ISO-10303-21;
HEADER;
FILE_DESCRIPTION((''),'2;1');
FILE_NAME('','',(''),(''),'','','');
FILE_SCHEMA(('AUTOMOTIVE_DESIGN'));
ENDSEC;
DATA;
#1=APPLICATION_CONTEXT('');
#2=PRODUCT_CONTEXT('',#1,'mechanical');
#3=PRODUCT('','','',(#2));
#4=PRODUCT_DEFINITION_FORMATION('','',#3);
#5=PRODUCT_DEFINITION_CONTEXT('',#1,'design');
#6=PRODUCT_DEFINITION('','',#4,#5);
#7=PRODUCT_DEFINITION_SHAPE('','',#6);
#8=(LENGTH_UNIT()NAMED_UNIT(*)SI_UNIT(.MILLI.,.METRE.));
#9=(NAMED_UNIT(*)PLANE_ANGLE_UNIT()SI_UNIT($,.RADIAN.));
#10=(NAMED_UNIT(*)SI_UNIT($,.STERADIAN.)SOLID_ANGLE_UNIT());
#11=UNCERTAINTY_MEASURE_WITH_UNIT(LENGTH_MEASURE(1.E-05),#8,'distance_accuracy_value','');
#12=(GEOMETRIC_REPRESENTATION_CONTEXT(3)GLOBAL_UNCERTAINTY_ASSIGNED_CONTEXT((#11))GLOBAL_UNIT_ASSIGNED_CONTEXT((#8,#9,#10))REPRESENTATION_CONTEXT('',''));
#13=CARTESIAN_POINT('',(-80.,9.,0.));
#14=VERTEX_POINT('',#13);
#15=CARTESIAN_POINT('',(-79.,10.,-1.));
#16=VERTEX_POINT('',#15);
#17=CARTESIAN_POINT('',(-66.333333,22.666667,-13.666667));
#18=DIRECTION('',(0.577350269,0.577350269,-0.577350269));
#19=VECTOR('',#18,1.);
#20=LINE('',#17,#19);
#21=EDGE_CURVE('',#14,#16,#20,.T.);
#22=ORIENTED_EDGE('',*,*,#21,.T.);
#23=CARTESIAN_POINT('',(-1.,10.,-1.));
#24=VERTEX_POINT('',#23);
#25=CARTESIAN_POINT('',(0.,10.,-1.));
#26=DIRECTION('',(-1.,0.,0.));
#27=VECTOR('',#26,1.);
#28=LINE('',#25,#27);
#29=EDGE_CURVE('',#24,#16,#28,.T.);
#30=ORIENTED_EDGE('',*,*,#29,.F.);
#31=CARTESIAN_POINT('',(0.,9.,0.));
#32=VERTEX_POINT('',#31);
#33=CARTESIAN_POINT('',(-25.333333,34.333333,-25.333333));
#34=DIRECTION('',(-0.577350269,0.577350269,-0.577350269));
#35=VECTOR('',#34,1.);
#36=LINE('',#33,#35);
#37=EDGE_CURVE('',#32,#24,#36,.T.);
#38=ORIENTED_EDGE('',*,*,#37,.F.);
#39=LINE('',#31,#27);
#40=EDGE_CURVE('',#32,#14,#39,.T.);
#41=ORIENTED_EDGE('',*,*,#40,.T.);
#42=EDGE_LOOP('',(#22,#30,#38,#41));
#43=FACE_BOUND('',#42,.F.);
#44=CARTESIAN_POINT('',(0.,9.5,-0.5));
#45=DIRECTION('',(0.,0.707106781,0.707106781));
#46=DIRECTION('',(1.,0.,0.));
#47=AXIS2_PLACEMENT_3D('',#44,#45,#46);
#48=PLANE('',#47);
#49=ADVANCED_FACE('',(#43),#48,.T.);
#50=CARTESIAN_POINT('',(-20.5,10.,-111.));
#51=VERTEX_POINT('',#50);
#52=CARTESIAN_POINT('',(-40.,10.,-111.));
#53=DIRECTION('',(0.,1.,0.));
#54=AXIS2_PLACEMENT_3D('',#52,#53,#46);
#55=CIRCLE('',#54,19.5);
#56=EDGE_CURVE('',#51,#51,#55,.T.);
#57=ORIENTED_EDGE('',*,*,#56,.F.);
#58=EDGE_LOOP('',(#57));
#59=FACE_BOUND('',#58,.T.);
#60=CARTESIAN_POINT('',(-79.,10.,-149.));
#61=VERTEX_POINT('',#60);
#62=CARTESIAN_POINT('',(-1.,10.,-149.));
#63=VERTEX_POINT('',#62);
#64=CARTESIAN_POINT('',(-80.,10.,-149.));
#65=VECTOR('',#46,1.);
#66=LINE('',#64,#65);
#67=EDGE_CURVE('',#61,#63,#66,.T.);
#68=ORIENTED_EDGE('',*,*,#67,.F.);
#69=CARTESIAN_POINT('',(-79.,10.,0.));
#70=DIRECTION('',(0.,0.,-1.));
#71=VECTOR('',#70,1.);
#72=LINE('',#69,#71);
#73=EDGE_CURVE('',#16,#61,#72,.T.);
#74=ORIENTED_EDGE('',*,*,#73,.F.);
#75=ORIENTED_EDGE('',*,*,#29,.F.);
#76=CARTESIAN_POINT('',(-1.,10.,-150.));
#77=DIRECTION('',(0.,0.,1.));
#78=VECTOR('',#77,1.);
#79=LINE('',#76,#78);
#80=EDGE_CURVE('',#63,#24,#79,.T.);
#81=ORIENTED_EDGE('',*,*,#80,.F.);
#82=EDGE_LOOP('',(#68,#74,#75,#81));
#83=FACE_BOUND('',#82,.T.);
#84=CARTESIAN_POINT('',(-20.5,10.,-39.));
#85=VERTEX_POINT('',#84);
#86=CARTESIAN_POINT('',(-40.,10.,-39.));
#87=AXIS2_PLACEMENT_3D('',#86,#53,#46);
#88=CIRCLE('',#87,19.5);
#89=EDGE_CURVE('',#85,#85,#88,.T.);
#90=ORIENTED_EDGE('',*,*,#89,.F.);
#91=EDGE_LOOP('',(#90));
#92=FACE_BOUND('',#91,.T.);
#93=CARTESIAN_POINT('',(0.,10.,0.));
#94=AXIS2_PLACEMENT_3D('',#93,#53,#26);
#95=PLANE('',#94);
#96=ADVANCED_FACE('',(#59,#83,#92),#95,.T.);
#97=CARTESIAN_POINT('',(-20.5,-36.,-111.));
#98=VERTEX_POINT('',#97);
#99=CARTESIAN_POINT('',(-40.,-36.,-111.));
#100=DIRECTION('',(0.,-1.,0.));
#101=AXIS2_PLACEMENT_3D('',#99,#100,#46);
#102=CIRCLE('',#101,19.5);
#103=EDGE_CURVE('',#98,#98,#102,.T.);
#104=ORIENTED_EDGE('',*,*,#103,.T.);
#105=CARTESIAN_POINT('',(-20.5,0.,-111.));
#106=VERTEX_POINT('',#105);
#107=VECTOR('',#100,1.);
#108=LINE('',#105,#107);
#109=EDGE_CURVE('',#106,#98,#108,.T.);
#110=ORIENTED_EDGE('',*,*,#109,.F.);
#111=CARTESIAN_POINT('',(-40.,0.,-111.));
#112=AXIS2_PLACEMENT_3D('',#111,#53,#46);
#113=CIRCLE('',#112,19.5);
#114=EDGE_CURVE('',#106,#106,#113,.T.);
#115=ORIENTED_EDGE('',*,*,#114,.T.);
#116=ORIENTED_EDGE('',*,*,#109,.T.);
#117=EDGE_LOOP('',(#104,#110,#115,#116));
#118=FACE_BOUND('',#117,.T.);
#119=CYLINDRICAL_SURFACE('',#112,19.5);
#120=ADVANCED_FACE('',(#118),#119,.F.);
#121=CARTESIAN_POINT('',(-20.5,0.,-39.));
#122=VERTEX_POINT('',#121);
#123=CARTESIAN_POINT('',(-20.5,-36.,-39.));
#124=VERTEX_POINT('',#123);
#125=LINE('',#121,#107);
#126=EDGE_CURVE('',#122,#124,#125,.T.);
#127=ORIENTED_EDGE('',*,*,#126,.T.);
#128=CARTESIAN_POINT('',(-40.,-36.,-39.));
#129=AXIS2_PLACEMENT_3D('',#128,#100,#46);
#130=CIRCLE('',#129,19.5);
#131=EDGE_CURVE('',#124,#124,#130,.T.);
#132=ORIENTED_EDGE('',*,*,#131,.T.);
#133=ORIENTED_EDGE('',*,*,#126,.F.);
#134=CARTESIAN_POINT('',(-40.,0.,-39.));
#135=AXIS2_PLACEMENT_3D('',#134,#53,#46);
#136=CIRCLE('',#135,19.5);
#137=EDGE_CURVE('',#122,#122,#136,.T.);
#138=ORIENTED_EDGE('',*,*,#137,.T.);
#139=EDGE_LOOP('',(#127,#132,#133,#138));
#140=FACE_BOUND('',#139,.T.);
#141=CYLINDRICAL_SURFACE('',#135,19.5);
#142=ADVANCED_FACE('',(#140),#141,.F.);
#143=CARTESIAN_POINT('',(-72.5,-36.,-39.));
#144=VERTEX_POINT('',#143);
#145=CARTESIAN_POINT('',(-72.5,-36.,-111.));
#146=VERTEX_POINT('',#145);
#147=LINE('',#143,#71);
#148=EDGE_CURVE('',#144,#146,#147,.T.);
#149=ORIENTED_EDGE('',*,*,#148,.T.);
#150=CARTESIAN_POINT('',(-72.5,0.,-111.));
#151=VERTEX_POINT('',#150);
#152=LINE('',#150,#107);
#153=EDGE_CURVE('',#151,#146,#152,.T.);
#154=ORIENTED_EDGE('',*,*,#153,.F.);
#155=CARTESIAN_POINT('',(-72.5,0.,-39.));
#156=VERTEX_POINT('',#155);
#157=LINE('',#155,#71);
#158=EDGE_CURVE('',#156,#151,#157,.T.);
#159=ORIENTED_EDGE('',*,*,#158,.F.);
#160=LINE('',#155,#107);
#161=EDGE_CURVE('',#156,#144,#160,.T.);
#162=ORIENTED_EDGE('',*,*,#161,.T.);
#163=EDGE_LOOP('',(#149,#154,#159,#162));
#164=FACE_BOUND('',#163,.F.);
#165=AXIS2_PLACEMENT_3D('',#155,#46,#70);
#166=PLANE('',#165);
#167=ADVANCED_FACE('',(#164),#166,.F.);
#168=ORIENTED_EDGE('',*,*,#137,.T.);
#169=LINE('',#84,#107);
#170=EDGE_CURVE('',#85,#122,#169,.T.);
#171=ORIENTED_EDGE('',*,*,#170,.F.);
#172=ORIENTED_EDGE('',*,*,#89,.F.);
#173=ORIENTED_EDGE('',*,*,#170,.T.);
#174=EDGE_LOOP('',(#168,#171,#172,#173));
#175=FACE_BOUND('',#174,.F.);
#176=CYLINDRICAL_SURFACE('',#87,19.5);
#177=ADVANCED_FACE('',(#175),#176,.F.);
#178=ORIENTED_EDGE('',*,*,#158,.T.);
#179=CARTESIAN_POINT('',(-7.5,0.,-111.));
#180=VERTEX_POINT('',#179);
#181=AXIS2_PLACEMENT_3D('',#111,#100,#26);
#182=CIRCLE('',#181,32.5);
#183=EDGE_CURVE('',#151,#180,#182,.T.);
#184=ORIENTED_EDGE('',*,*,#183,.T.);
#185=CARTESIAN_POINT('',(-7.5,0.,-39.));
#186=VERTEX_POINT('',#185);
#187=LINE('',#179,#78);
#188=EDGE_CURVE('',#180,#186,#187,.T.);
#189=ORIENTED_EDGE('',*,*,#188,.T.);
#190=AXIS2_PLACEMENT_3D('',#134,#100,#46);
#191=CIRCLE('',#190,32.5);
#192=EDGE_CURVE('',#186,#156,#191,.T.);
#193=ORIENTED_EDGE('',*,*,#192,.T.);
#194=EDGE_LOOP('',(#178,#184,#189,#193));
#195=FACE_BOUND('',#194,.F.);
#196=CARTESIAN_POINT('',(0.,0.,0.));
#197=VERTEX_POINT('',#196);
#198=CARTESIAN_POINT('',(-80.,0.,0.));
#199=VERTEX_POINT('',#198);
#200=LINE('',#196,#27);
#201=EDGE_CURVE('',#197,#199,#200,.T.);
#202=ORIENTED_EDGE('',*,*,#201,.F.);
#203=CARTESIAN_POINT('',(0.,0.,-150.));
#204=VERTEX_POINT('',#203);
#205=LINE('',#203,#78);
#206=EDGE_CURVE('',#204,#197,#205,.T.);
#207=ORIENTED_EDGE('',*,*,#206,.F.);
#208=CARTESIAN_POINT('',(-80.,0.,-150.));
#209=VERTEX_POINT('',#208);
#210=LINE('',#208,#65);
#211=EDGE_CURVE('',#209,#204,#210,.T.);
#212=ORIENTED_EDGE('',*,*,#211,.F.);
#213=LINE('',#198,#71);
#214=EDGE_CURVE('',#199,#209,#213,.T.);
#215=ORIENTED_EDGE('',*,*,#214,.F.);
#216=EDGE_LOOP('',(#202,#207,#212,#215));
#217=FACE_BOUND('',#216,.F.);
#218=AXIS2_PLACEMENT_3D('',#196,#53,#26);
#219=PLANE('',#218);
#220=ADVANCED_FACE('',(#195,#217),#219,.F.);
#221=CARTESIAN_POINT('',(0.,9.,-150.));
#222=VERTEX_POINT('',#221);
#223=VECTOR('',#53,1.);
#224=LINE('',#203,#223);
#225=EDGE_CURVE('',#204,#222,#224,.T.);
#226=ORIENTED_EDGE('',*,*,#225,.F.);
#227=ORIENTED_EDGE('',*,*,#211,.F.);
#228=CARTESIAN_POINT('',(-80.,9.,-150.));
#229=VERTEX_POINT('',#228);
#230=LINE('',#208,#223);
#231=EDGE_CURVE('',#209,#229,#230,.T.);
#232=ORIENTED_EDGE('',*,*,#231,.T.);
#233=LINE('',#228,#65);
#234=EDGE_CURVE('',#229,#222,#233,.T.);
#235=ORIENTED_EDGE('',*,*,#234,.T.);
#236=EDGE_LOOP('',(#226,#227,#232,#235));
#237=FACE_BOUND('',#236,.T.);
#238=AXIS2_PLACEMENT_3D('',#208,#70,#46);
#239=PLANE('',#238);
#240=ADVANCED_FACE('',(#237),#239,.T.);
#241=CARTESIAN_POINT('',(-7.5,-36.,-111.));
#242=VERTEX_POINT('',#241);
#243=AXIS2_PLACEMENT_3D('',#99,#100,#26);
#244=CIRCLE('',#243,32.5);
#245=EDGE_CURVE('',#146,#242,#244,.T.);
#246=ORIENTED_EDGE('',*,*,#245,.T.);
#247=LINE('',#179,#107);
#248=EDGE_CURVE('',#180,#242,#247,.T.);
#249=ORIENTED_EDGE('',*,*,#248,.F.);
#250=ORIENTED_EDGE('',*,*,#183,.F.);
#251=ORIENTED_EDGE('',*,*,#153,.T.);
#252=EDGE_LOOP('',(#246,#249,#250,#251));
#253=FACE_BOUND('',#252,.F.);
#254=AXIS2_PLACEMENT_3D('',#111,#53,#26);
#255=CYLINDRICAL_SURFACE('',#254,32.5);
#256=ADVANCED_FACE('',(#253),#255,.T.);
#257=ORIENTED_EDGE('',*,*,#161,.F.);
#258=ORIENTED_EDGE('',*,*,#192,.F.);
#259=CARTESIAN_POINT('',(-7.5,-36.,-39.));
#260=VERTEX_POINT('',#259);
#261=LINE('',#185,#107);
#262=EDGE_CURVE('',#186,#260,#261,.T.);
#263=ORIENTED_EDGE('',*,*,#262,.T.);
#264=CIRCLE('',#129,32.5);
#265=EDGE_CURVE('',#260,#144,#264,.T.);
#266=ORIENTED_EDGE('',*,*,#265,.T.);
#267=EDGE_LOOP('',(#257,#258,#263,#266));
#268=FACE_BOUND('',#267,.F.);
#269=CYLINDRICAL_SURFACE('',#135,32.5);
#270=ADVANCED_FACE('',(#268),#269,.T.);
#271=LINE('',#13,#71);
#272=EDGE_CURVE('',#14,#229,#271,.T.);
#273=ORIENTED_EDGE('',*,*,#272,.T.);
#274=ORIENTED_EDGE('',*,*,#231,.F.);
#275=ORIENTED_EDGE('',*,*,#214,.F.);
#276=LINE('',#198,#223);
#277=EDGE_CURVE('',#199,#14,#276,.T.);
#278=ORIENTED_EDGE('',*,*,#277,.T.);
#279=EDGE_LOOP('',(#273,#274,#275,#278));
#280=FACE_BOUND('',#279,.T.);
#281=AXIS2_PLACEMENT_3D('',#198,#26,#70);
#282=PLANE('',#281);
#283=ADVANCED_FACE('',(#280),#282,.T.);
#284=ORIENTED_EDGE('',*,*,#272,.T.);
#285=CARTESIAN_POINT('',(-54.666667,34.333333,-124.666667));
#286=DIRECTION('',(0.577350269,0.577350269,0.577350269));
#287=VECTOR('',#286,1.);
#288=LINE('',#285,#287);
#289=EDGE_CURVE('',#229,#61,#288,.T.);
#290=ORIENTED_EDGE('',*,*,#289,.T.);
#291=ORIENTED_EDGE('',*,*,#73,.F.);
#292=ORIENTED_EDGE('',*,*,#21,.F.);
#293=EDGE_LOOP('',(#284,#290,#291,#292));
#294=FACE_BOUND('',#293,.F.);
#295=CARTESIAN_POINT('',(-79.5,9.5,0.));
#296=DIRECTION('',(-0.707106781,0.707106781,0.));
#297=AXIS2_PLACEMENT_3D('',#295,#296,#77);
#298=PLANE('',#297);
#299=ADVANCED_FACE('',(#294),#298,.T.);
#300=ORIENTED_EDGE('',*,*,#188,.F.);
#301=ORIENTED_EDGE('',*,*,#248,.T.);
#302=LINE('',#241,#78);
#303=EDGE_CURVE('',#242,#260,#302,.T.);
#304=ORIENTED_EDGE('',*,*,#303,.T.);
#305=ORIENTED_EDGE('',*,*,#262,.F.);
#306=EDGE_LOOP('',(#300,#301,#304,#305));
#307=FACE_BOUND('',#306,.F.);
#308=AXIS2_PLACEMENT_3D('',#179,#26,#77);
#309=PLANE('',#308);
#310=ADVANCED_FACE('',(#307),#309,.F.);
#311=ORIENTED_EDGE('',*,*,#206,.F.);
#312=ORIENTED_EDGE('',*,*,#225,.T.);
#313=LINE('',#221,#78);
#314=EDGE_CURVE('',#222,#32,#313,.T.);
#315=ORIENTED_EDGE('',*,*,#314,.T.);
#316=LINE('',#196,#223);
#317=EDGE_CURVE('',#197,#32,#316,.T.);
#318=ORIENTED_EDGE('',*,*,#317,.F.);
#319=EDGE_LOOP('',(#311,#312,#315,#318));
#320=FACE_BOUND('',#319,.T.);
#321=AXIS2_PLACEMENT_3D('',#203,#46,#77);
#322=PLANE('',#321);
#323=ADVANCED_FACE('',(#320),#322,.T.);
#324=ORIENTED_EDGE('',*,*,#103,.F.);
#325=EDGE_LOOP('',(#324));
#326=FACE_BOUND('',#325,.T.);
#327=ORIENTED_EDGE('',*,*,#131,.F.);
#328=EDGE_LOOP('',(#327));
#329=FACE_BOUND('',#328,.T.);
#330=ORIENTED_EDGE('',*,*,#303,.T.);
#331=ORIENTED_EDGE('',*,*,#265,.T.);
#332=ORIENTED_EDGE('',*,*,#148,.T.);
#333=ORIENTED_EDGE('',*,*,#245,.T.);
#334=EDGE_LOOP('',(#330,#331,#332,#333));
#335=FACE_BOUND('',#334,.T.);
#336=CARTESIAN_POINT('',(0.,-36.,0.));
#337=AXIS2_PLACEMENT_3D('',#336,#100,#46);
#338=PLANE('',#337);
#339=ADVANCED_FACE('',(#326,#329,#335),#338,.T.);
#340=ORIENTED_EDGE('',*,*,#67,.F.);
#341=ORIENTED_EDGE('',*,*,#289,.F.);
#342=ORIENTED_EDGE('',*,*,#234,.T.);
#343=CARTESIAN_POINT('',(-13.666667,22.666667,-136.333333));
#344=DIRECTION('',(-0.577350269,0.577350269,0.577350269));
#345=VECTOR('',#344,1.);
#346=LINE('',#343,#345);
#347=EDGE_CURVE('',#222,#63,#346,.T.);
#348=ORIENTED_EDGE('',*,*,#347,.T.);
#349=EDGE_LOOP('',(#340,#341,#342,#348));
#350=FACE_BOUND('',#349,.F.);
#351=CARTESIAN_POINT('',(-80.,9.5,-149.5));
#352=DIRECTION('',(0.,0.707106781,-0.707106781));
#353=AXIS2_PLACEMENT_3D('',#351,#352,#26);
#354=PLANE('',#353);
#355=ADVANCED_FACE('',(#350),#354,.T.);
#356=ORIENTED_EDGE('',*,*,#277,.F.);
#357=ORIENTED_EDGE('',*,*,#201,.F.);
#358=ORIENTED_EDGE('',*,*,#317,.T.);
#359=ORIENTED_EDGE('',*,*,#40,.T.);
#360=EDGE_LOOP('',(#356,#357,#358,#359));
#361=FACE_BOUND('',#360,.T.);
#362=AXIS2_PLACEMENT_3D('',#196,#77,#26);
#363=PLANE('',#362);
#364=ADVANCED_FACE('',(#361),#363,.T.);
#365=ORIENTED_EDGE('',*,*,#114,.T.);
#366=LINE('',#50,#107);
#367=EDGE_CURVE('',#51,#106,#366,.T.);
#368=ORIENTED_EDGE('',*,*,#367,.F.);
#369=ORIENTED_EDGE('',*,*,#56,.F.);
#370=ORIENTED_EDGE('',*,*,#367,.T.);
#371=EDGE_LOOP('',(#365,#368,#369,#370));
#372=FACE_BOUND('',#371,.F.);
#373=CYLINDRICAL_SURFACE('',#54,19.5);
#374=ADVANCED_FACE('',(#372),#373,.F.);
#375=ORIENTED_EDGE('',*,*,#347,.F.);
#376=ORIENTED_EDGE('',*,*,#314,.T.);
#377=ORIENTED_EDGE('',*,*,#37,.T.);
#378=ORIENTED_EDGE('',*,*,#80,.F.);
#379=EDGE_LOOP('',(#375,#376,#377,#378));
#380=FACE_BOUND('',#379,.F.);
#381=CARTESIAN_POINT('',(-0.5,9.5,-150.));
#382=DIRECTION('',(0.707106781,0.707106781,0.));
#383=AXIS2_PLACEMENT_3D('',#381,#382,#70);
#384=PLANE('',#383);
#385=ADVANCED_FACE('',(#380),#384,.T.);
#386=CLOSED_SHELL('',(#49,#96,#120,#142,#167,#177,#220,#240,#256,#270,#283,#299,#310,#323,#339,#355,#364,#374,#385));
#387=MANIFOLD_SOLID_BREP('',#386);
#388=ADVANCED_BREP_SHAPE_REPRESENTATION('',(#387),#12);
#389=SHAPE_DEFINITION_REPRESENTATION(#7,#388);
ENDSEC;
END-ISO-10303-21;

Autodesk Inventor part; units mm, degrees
ref_plane "YZ Plane" through (0, 0, 0) normal (1, 0, 0) x (0, 1, 0)
ref_plane "XZ Plane" through (0, 0, 0) normal (0, 1, 0) x (-1, 0, 0)
ref_plane "XY Plane" through (0, 0, 0) normal (0, 0, 1) x (1, 0, 0)
sketch "Skizze1" plane through (0, 0, 0) normal (0, 1, 0) x (-1, 0, 0)
  line L0 (0, 0) -> (80, 0)
  line L1 (80, 0) -> (80, -150)
  line L2 (80, -150) -> (0, -150)
  line L3 (0, -150) -> (0, 0)
  dimension "d0" = 80
  dimension "d1" = 150
extrude "Extrusion1" add sketch "Skizze1" along normal blind 10
sketch "Skizze2" plane through (0, 10, 0) normal (0, 1, 0) x (1, 0, 0)
  circle A0 centre (-40, 39) radius 19.5
  line L0 (-80, 0) -> (0, 0) projected
  line L1 (0, 150) -> (-80, 150) projected
  line L2 (-80, 150) -> (-80, 0) projected
  line L3 (-80, 75) -> (0, 75)
  circle A1 centre (-40, 111) radius 19.5
  dimension "d4" = 39
  dimension "d5" = 72
extrude "Extrusion2" cut sketch "Skizze2" against normal blind 10
sketch "Skizze3" plane through (0, 0, 0) normal (0, -1, 0) x (1, 0, 0)
  circle A0 centre (-40, -111) radius 19.5 projected
  circle A1 centre (-40, -39) radius 19.5 projected
  line L0 (-40, -111) -> (-40, -39) construction
  line L1 (-7.5, -111) -> (-7.5, -39)
  line L2 (-72.5, -39) -> (-72.5, -111)
  arc A2 (-72.5, -111) -> (-7.5, -111) centre (-40, -111) ccw
  arc A3 (-7.5, -39) -> (-72.5, -39) centre (-40, -39) ccw
  point P0 (0, 0)
  point P1 (-40, -75)
  dimension "d8" = 65
extrude "Extrusion3" add sketch "Skizze3" along normal blind 36
chamfer "Fasen1" distance 1 angle 45 4 edges at (-80, 10, -75) (-40, 10, -150) (0, 10, -75) (-40, 10, 0)
properties part number "Double_Steckdose" material "Gummi"
